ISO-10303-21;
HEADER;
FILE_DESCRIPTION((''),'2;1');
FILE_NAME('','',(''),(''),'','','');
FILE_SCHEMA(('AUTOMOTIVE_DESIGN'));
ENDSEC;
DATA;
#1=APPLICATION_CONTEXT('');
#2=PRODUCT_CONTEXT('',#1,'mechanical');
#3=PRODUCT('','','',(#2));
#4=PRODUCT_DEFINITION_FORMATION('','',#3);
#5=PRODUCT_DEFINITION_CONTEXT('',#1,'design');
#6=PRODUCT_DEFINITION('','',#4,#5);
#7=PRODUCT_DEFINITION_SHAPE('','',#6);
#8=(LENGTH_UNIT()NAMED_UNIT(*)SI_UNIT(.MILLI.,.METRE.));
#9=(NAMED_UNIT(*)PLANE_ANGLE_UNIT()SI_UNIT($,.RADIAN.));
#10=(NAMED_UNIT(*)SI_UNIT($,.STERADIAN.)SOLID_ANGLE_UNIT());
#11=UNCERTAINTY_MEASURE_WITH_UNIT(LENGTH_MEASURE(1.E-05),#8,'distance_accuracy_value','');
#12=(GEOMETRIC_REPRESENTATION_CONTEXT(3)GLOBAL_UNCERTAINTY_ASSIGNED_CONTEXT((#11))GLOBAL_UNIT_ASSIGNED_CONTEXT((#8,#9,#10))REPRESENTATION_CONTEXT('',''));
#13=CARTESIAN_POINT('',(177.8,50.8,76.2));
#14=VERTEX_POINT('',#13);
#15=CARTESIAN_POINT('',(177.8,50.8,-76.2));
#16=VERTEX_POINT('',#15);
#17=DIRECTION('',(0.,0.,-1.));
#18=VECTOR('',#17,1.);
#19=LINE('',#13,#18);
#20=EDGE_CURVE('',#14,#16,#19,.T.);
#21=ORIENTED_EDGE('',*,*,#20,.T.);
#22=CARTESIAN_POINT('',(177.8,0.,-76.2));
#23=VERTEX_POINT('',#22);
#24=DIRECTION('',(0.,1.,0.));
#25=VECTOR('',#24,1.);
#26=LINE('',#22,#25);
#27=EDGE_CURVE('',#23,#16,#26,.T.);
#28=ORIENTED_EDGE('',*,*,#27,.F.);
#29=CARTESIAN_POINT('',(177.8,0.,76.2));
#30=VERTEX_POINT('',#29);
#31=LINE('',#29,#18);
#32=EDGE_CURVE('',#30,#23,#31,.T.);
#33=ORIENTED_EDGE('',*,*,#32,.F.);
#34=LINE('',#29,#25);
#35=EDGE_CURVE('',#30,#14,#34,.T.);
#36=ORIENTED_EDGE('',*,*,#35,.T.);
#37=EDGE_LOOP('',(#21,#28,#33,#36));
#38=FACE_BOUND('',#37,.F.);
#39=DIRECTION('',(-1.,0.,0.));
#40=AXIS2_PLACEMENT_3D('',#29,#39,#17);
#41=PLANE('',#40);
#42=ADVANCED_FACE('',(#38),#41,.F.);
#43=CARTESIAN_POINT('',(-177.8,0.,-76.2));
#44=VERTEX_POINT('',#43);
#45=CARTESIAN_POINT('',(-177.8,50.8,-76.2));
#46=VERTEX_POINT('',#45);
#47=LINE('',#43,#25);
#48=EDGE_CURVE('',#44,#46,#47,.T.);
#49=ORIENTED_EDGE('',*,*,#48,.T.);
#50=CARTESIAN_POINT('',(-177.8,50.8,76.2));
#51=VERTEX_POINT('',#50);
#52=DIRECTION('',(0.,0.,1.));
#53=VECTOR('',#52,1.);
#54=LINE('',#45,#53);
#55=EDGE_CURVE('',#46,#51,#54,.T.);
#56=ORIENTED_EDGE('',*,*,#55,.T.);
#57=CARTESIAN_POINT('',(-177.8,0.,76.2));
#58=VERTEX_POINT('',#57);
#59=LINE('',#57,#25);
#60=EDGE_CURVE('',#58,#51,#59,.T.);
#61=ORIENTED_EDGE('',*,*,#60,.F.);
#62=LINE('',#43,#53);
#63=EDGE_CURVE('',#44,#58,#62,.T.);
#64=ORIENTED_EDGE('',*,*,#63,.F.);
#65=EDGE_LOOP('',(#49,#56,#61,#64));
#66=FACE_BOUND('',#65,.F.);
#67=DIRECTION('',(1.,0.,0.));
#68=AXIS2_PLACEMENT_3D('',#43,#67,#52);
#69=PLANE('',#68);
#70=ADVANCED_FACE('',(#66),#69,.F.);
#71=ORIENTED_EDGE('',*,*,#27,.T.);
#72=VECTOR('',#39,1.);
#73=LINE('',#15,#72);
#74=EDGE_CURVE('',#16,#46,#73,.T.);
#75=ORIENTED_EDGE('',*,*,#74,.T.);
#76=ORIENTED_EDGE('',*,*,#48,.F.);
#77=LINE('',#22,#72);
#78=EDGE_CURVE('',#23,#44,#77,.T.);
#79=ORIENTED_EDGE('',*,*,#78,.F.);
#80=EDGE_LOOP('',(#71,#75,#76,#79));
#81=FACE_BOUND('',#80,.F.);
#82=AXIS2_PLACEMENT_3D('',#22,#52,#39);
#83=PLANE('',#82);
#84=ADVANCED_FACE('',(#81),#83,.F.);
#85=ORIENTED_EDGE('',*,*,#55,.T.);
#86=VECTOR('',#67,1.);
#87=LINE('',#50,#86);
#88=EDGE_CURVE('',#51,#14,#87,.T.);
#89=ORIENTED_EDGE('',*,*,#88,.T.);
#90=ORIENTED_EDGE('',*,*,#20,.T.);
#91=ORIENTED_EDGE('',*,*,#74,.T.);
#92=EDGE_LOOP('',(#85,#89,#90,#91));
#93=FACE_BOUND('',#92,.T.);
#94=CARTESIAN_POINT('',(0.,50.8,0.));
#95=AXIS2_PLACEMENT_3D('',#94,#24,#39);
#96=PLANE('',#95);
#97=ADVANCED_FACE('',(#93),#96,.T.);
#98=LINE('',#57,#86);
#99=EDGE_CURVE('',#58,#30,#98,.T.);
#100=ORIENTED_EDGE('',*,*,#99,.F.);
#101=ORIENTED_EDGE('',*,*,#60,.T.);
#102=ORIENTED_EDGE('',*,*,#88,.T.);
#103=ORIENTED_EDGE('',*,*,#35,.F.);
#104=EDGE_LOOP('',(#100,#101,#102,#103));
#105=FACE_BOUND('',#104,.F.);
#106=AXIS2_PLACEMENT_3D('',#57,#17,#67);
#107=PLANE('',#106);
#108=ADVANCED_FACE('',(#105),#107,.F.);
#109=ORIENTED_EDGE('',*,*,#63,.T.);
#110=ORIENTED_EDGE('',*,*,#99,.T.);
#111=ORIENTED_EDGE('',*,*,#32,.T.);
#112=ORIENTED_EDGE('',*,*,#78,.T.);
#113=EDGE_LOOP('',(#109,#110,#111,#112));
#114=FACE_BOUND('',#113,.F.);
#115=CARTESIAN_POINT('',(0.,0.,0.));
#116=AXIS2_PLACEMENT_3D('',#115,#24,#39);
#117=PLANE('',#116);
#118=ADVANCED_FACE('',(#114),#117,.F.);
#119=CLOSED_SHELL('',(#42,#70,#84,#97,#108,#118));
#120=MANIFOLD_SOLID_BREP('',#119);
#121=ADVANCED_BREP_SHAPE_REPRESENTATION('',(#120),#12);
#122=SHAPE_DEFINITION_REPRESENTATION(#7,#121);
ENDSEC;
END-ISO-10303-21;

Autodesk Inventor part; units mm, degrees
ref_plane "YZ Plane" through (0, 0, 0) normal (1, 0, 0) x (0, 1, 0)
ref_plane "XZ Plane" through (0, 0, 0) normal (0, 1, 0) x (-1, 0, 0)
ref_plane "XY Plane" through (0, 0, 0) normal (0, 0, 1) x (1, 0, 0)
sketch "Sketch1" plane through (0, 0, 0) normal (0, 1, 0) x (-1, 0, 0)
  line L0 (177.8, 76.2) -> (-177.8, 76.2)
  line L1 (-177.8, 76.2) -> (-177.8, -76.2)
  line L2 (-177.8, -76.2) -> (177.8, -76.2)
  line L3 (177.8, -76.2) -> (177.8, 76.2)
  line L4 (177.8, 76.2) -> (-177.8, -76.2) construction
  line L5 (-177.8, 76.2) -> (177.8, -76.2) construction
  point P0 (0, 0)
  dimension "d0" = 355.6
  dimension "d1" = 152.4
extrude "Extrusion1" add sketch "Sketch1" along normal blind 50.8
properties part number "block climb" material "Aluminum 6061"
